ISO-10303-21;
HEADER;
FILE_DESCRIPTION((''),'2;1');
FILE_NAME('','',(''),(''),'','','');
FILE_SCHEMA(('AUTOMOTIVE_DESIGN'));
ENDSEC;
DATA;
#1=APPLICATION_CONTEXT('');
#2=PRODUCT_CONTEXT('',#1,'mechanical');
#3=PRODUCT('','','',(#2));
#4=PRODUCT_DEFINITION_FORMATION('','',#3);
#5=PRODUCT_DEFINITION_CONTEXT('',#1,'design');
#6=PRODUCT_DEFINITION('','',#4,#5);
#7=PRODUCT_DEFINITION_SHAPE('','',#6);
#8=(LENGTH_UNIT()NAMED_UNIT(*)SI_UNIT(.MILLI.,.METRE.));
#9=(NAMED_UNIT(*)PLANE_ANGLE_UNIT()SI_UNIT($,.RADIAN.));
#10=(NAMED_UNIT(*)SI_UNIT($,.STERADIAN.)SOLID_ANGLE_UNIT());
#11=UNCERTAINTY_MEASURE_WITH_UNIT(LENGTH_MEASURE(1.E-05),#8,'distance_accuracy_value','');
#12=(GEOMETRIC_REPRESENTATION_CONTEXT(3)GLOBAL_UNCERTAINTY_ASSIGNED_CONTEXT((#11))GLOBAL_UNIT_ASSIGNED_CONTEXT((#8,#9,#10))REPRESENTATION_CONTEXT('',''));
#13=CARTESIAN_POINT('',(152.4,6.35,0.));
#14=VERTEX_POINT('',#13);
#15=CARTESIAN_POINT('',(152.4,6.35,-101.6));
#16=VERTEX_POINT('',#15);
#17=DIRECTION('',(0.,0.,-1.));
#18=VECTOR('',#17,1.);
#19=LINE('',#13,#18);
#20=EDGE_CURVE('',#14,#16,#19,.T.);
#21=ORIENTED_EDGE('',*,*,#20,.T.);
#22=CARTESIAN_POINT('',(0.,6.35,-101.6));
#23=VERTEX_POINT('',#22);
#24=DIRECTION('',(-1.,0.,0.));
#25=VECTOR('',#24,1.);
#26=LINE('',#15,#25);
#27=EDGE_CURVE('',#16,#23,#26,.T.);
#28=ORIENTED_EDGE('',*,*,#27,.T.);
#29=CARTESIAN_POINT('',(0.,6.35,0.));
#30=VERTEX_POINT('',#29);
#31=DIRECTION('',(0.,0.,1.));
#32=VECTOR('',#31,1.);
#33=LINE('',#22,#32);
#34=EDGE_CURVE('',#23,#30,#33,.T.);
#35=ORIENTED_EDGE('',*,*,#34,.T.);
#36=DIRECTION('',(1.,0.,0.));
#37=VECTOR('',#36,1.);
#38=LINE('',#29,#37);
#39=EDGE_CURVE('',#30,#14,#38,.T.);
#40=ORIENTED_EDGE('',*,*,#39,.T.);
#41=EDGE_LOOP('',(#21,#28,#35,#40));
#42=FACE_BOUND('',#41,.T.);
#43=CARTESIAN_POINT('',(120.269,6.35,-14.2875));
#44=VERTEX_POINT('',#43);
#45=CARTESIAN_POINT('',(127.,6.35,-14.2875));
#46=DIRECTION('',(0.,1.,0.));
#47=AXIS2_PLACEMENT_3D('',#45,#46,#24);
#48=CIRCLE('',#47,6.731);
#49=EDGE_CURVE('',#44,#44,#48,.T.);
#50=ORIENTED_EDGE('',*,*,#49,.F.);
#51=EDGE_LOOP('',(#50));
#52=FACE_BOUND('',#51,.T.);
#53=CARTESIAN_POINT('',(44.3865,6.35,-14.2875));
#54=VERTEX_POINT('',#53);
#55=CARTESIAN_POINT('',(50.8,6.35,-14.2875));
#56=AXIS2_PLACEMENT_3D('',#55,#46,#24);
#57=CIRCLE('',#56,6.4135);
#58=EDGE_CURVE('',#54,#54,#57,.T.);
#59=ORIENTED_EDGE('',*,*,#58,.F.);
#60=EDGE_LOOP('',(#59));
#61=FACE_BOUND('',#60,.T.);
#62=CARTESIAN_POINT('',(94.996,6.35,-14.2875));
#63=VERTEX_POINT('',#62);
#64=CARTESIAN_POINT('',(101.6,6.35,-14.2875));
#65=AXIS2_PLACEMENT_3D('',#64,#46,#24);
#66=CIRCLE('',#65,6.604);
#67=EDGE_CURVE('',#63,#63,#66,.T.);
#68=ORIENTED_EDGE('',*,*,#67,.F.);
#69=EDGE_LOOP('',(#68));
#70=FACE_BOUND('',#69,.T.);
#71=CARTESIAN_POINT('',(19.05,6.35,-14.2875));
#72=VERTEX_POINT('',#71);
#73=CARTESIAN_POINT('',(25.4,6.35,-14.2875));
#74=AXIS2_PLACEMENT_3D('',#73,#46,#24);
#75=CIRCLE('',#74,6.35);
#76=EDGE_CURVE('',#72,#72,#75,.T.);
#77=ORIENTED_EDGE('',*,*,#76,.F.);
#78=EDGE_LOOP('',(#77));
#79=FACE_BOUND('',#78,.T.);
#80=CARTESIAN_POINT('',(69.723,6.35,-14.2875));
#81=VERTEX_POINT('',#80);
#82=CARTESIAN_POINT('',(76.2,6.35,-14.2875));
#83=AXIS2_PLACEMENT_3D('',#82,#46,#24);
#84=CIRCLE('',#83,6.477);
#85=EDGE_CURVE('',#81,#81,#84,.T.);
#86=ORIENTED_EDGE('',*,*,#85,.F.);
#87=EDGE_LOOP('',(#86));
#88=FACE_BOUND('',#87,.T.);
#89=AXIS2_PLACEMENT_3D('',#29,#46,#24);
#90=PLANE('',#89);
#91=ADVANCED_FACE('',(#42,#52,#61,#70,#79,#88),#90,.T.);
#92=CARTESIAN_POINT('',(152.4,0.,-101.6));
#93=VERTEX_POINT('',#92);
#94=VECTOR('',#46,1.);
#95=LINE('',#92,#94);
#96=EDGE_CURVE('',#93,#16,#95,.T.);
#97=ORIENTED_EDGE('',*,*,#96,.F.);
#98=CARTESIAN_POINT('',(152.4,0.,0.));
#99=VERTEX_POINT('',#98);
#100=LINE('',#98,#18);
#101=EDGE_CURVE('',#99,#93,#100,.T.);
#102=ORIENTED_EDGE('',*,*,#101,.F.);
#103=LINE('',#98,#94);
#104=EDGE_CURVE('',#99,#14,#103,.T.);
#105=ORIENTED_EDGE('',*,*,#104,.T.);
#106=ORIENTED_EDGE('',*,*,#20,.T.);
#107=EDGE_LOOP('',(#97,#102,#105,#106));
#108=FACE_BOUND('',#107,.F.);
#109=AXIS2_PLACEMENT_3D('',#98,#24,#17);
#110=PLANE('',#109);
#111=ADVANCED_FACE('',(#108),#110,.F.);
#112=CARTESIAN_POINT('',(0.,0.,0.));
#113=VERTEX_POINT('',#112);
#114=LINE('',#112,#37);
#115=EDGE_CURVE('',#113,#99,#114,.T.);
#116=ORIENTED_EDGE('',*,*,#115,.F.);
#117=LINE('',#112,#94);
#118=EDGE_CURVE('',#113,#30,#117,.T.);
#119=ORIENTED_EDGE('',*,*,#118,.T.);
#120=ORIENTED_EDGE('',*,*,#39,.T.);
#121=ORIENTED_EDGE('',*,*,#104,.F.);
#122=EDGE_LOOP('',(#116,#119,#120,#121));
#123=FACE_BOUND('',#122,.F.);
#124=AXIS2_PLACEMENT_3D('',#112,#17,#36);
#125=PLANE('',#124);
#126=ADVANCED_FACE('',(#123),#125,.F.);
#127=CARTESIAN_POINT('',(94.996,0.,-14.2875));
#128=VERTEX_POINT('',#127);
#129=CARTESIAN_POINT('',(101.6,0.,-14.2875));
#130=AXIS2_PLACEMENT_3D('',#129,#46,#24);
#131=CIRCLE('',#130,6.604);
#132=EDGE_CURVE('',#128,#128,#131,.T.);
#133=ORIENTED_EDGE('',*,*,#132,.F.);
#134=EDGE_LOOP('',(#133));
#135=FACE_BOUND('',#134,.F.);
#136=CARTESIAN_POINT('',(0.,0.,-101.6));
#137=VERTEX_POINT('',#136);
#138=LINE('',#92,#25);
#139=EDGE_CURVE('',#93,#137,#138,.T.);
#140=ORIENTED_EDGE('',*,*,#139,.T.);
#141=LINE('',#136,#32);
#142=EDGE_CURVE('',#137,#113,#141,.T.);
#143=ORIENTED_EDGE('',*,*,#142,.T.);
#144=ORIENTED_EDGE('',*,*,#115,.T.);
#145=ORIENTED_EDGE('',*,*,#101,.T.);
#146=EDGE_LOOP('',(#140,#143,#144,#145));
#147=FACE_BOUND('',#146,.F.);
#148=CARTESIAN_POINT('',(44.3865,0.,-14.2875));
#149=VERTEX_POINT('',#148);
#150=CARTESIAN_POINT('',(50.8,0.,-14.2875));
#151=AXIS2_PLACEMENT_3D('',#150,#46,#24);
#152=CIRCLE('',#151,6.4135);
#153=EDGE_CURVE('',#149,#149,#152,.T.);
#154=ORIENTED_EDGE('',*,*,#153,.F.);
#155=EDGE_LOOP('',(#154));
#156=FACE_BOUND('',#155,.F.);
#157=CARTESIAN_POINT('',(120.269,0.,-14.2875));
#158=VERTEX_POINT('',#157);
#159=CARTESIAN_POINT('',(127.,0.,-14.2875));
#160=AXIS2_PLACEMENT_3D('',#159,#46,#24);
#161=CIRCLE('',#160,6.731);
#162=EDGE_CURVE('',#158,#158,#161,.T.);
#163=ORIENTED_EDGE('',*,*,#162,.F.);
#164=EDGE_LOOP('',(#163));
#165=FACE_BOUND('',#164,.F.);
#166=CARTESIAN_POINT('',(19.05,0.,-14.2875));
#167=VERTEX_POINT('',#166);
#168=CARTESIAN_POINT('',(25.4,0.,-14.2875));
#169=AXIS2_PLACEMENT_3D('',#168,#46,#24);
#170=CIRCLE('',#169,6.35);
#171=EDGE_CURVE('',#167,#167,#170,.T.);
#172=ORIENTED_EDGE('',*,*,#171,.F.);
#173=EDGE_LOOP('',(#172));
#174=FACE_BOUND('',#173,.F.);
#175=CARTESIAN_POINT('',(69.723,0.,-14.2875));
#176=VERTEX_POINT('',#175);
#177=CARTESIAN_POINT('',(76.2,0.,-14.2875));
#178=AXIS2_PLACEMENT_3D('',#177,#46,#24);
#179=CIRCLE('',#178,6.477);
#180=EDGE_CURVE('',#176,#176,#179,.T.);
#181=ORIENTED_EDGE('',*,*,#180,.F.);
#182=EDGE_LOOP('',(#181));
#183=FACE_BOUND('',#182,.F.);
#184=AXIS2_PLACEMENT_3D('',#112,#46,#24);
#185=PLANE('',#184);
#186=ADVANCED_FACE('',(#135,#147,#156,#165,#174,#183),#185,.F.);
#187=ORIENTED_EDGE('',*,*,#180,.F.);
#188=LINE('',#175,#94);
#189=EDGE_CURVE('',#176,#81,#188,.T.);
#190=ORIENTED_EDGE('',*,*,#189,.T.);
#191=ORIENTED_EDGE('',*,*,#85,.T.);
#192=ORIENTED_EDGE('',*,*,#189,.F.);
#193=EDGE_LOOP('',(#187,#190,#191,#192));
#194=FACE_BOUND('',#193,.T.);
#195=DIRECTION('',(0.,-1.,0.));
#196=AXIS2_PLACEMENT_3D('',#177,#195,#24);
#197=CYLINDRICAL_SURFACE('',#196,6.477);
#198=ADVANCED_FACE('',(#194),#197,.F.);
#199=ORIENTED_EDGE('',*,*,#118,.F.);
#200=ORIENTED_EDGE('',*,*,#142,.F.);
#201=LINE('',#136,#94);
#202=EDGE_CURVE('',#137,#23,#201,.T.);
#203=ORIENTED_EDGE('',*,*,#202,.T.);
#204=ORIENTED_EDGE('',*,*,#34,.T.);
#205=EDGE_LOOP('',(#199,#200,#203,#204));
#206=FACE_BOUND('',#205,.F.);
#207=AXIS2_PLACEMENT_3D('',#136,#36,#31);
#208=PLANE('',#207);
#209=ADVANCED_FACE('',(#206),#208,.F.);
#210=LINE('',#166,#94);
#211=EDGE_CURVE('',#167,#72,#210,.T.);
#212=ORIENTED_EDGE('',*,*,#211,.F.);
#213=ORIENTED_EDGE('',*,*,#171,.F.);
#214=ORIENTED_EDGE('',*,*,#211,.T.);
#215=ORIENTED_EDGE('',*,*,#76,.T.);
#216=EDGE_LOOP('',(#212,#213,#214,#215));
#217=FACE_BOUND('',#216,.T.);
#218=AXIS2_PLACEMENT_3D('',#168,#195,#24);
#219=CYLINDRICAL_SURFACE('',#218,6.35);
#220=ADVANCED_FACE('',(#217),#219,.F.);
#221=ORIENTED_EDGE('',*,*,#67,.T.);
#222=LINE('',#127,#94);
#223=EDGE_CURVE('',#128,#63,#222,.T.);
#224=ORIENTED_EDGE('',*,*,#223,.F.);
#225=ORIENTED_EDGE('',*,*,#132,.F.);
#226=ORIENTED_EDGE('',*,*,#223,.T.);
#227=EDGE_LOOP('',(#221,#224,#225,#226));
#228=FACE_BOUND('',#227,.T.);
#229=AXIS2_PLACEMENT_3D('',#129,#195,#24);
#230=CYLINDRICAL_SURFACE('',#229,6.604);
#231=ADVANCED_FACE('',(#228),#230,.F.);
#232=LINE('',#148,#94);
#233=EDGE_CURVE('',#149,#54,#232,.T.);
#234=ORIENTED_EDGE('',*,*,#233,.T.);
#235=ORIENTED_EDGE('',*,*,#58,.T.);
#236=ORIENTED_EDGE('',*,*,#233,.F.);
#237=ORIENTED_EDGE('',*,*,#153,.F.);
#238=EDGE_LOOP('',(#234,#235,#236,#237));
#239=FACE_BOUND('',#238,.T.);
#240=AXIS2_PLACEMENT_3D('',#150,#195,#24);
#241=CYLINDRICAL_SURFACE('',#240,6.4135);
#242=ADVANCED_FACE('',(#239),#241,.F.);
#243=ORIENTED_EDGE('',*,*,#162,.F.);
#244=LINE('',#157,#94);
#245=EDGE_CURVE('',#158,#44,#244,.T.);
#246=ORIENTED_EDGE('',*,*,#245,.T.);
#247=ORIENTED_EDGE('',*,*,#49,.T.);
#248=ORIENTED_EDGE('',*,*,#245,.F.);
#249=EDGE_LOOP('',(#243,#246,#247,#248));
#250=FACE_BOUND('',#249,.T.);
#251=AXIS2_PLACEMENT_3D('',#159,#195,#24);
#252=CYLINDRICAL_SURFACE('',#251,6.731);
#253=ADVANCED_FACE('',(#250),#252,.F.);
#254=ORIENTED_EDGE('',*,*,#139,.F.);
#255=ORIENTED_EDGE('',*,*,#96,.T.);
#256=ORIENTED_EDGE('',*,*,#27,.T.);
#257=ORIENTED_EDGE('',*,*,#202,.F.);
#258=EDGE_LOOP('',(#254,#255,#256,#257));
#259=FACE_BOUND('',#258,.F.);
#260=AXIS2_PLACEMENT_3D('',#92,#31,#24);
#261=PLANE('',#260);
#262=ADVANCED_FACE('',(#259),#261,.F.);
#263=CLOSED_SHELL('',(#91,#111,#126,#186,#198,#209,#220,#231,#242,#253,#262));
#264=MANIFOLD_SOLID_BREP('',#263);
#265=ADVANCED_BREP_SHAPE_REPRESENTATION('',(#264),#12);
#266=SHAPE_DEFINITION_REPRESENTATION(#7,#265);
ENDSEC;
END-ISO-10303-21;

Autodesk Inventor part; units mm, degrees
ref_plane "YZ Plane" through (0, 0, 0) normal (1, 0, 0) x (0, 1, 0)
ref_plane "XZ Plane" through (0, 0, 0) normal (0, 1, 0) x (-1, 0, 0)
ref_plane "XY Plane" through (0, 0, 0) normal (0, 0, 1) x (1, 0, 0)
sketch "Sketch1" plane through (0, 0, 0) normal (0, 1, 0) x (-1, 0, 0)
  line L0 (0, 0) -> (-152.4, 0)
  line L1 (-152.4, 0) -> (-152.4, -101.6)
  line L2 (-152.4, -101.6) -> (0, -101.6)
  line L3 (0, -101.6) -> (0, 0)
  circle A0 centre (-25.4, -14.2875) radius 6.35
  circle A1 centre (-50.8, -14.2875) radius 6.4135
  circle A2 centre (-76.2, -14.2875) radius 6.477
  circle A3 centre (-101.6, -14.2875) radius 6.604
  circle A4 centre (-127, -14.2875) radius 6.731
  line L4 (-22.178, -1.7823) -> (-15.0248, -1.7823) construction
  line L5 (-15.0248, -1.7823) -> (-15.0248, -4.5598) construction
  line L6 (-15.0248, -4.5598) -> (-22.178, -4.5598) construction
  line L7 (-22.178, -4.5598) -> (-22.178, -1.7823) construction
  line L8 (-49.534, -2.7734) -> (-41.4027, -2.7734) construction
  line L9 (-41.4027, -2.7734) -> (-41.4027, -4.3616) construction
  line L10 (-41.4027, -4.3616) -> (-49.534, -4.3616) construction
  line L11 (-49.534, -4.3616) -> (-49.534, -2.7734) construction
  line L12 (-76.4936, -2.1788) -> (-70.6496, -2.1788) construction
  line L13 (-70.6496, -2.1788) -> (-70.6496, -8.2743) construction
  line L14 (-70.6496, -8.2743) -> (-76.4936, -8.2743) construction
  line L15 (-76.4936, -8.2743) -> (-76.4936, -2.1788) construction
  line L16 (-99.6868, -2.377) -> (-93.8428, -2.377) construction
  line L17 (-93.8428, -2.377) -> (-93.8428, -5.5534) construction
  line L18 (-93.8428, -5.5534) -> (-99.6868, -5.5534) construction
  line L19 (-99.6868, -5.5534) -> (-99.6868, -2.377) construction
  line L20 (-126.4482, -3.1699) -> (-120.6041, -3.1699) construction
  line L21 (-120.6041, -3.1699) -> (-120.6041, -6.3464) construction
  line L22 (-120.6041, -6.3464) -> (-126.4482, -6.3464) construction
  line L23 (-126.4482, -6.3464) -> (-126.4482, -3.1699) construction
  circle A5 centre (98.0568, -52.9534) radius 11.3595
  line L24 (110.7568, -52.9534) -> (105.4477, -74.5496) construction
  line L25 (105.4477, -74.5496) -> (102.5257, -83.1159) construction
  line L26 (102.5257, -83.1159) -> (85.1766, -74.5496) construction
  spline S0 degree 3 poles (110.7568, -52.9534) (105.4477, -74.5496) (102.5257, -83.1159) (85.1766, -74.5496) knots 1 1 1 1 2 2 2 2
  line L27 (-12.1084, -90.1112) -> (-75.5229, -90.1112)
  line L28 (-12.1084, -90.1112) -> (-12.1084, -63.1237)
  line L29 (-14.6484, -90.1112) -> (-14.6484, -78.9358)
  line L30 (-17.1884, -90.1112) -> (-17.1884, -78.9358)
  line L31 (-19.7284, -90.1112) -> (-19.7284, -78.9358)
  line L32 (-22.2684, -90.1112) -> (-22.2684, -78.9358)
  line L33 (-24.8084, -90.1112) -> (-24.8084, -74.2362)
  line L34 (-29.429, -90.1112) -> (-29.429, -78.9358)
  dimension "d0" = 152.4
  dimension "d1" = 101.6
  dimension "d2" = 12.7
  dimension "d3" = 12.827
  dimension "d4" = 12.954
  dimension "d5" = 13.208
  dimension "d6" = 13.462
  dimension "d7" = 25.4
  dimension "d8" = 25.4
  dimension "d9" = 25.4
  dimension "d10" = 25.4
  dimension "d11" = 25.4
  dimension "d12" = 25.4
  dimension "d14" = 2.54
  dimension "d15" = 2.54
  dimension "d16" = 2.54
  dimension "d17" = 2.54
  dimension "d18" = 2.54
extrude "Extrusion1" add sketch "Sketch1" along normal blind 6.35 contours L3 L2 L1 L0
sketch "Sketch2" plane through (0, 6.35, 0) normal (0, 1, 0) x (1, 0, 0)
  line L0 (54.8132, 82.9766) -> (54.8132, 74.0866)
  line L1 (57.3532, 82.9766) -> (57.3532, 74.0866)
  line L2 (59.8932, 82.9766) -> (59.8932, 74.0866)
  line L3 (62.4332, 82.9766) -> (62.4332, 74.0866)
  line L4 (64.9732, 82.9766) -> (64.9732, 70.2766)
  line L5 (67.5132, 82.9766) -> (67.5132, 74.0866)
  line L6 (70.0532, 82.9766) -> (70.0532, 74.0866)
  line L7 (72.5932, 82.9766) -> (72.5932, 74.0866)
  line L8 (75.1332, 82.9766) -> (75.1332, 74.0866)
  line L9 (77.6732, 82.9766) -> (77.6732, 63.9266)
  line L10 (29.4132, 82.713) -> (29.4132, 73.823)
  line L11 (31.9532, 82.713) -> (31.9532, 73.823)
  line L12 (34.4932, 82.713) -> (34.4932, 73.823)
  line L13 (37.0332, 82.713) -> (37.0332, 73.823)
  line L14 (39.5732, 82.713) -> (39.5732, 70.013)
  line L15 (42.1132, 82.713) -> (42.1132, 73.823)
  line L16 (44.6532, 82.713) -> (44.6532, 73.823)
  line L17 (47.1932, 82.713) -> (47.1932, 73.823)
  line L18 (49.7332, 82.713) -> (49.7332, 73.823)
  line L19 (52.2732, 82.713) -> (52.2732, 63.663)
  line L20 (26.8732, 82.713) -> (26.8732, 63.663)
  line L21 (80.2132, 82.87) -> (80.2132, 73.98)
  line L22 (82.7532, 82.87) -> (82.7532, 73.98)
  line L23 (85.2932, 82.87) -> (85.2932, 73.98)
  line L24 (87.8332, 82.87) -> (87.8332, 73.98)
  line L25 (90.3732, 82.87) -> (90.3732, 70.17)
  line L26 (92.9132, 82.87) -> (92.9132, 73.98)
  line L27 (95.4532, 82.87) -> (95.4532, 73.98)
  line L28 (97.9932, 82.87) -> (97.9932, 73.98)
  line L29 (100.5332, 82.87) -> (100.5332, 73.98)
  line L30 (103.0732, 82.87) -> (103.0732, 63.82)
  line L31 (105.6132, 83.1064) -> (105.6132, 74.2164)
  line L32 (108.1532, 83.1064) -> (108.1532, 74.2164)
  line L33 (110.6932, 83.1064) -> (110.6932, 74.2164)
  line L34 (113.2332, 83.1064) -> (113.2332, 74.2164)
  line L35 (115.7732, 83.1064) -> (115.7732, 70.4064)
  line L36 (118.3132, 83.1064) -> (118.3132, 74.2164)
  line L37 (120.8532, 83.1064) -> (120.8532, 74.2164)
  line L38 (123.3932, 83.1064) -> (123.3932, 74.2164)
  line L39 (125.9332, 83.1064) -> (125.9332, 74.2164)
  line L40 (128.4732, 83.1064) -> (128.4732, 64.0564)
  point P0 (0, 0)
  dimension "d22" = 8.89
  dimension "d24" = 2.54
  dimension "d25" = 2.54
  dimension "d26" = 2.54
  dimension "d27" = 2.54
  dimension "d28" = 2.54
  dimension "d29" = 2.54
  dimension "d30" = 2.54
  dimension "d31" = 2.54
  dimension "d33" = 2.54
  dimension "d34" = 8.89
  dimension "d35" = 2.54
  dimension "d36" = 2.54
  dimension "d37" = 2.54
  dimension "d38" = 2.54
  dimension "d39" = 2.54
  dimension "d40" = 2.54
  dimension "d41" = 2.54
  dimension "d42" = 2.54
  dimension "d43" = 2.54
  dimension "d44" = 25.4
  dimension "d45" = 2.54
  dimension "d46" = 8.89
  dimension "d47" = 2.54
  dimension "d48" = 2.54
  dimension "d49" = 2.54
  dimension "d50" = 2.54
  dimension "d51" = 2.54
  dimension "d52" = 2.54
  dimension "d53" = 2.54
  dimension "d54" = 2.54
  dimension "d55" = 2.54
  dimension "d56" = 2.54
  dimension "d57" = 8.89
  dimension "d58" = 2.54
  dimension "d59" = 2.54
  dimension "d60" = 2.54
  dimension "d61" = 2.54
  dimension "d62" = 2.54
  dimension "d63" = 2.54
  dimension "d64" = 2.54
  dimension "d65" = 2.54
  dimension "d66" = 2.54
  dimension "d67" = 2.54
properties part number "laser test"
